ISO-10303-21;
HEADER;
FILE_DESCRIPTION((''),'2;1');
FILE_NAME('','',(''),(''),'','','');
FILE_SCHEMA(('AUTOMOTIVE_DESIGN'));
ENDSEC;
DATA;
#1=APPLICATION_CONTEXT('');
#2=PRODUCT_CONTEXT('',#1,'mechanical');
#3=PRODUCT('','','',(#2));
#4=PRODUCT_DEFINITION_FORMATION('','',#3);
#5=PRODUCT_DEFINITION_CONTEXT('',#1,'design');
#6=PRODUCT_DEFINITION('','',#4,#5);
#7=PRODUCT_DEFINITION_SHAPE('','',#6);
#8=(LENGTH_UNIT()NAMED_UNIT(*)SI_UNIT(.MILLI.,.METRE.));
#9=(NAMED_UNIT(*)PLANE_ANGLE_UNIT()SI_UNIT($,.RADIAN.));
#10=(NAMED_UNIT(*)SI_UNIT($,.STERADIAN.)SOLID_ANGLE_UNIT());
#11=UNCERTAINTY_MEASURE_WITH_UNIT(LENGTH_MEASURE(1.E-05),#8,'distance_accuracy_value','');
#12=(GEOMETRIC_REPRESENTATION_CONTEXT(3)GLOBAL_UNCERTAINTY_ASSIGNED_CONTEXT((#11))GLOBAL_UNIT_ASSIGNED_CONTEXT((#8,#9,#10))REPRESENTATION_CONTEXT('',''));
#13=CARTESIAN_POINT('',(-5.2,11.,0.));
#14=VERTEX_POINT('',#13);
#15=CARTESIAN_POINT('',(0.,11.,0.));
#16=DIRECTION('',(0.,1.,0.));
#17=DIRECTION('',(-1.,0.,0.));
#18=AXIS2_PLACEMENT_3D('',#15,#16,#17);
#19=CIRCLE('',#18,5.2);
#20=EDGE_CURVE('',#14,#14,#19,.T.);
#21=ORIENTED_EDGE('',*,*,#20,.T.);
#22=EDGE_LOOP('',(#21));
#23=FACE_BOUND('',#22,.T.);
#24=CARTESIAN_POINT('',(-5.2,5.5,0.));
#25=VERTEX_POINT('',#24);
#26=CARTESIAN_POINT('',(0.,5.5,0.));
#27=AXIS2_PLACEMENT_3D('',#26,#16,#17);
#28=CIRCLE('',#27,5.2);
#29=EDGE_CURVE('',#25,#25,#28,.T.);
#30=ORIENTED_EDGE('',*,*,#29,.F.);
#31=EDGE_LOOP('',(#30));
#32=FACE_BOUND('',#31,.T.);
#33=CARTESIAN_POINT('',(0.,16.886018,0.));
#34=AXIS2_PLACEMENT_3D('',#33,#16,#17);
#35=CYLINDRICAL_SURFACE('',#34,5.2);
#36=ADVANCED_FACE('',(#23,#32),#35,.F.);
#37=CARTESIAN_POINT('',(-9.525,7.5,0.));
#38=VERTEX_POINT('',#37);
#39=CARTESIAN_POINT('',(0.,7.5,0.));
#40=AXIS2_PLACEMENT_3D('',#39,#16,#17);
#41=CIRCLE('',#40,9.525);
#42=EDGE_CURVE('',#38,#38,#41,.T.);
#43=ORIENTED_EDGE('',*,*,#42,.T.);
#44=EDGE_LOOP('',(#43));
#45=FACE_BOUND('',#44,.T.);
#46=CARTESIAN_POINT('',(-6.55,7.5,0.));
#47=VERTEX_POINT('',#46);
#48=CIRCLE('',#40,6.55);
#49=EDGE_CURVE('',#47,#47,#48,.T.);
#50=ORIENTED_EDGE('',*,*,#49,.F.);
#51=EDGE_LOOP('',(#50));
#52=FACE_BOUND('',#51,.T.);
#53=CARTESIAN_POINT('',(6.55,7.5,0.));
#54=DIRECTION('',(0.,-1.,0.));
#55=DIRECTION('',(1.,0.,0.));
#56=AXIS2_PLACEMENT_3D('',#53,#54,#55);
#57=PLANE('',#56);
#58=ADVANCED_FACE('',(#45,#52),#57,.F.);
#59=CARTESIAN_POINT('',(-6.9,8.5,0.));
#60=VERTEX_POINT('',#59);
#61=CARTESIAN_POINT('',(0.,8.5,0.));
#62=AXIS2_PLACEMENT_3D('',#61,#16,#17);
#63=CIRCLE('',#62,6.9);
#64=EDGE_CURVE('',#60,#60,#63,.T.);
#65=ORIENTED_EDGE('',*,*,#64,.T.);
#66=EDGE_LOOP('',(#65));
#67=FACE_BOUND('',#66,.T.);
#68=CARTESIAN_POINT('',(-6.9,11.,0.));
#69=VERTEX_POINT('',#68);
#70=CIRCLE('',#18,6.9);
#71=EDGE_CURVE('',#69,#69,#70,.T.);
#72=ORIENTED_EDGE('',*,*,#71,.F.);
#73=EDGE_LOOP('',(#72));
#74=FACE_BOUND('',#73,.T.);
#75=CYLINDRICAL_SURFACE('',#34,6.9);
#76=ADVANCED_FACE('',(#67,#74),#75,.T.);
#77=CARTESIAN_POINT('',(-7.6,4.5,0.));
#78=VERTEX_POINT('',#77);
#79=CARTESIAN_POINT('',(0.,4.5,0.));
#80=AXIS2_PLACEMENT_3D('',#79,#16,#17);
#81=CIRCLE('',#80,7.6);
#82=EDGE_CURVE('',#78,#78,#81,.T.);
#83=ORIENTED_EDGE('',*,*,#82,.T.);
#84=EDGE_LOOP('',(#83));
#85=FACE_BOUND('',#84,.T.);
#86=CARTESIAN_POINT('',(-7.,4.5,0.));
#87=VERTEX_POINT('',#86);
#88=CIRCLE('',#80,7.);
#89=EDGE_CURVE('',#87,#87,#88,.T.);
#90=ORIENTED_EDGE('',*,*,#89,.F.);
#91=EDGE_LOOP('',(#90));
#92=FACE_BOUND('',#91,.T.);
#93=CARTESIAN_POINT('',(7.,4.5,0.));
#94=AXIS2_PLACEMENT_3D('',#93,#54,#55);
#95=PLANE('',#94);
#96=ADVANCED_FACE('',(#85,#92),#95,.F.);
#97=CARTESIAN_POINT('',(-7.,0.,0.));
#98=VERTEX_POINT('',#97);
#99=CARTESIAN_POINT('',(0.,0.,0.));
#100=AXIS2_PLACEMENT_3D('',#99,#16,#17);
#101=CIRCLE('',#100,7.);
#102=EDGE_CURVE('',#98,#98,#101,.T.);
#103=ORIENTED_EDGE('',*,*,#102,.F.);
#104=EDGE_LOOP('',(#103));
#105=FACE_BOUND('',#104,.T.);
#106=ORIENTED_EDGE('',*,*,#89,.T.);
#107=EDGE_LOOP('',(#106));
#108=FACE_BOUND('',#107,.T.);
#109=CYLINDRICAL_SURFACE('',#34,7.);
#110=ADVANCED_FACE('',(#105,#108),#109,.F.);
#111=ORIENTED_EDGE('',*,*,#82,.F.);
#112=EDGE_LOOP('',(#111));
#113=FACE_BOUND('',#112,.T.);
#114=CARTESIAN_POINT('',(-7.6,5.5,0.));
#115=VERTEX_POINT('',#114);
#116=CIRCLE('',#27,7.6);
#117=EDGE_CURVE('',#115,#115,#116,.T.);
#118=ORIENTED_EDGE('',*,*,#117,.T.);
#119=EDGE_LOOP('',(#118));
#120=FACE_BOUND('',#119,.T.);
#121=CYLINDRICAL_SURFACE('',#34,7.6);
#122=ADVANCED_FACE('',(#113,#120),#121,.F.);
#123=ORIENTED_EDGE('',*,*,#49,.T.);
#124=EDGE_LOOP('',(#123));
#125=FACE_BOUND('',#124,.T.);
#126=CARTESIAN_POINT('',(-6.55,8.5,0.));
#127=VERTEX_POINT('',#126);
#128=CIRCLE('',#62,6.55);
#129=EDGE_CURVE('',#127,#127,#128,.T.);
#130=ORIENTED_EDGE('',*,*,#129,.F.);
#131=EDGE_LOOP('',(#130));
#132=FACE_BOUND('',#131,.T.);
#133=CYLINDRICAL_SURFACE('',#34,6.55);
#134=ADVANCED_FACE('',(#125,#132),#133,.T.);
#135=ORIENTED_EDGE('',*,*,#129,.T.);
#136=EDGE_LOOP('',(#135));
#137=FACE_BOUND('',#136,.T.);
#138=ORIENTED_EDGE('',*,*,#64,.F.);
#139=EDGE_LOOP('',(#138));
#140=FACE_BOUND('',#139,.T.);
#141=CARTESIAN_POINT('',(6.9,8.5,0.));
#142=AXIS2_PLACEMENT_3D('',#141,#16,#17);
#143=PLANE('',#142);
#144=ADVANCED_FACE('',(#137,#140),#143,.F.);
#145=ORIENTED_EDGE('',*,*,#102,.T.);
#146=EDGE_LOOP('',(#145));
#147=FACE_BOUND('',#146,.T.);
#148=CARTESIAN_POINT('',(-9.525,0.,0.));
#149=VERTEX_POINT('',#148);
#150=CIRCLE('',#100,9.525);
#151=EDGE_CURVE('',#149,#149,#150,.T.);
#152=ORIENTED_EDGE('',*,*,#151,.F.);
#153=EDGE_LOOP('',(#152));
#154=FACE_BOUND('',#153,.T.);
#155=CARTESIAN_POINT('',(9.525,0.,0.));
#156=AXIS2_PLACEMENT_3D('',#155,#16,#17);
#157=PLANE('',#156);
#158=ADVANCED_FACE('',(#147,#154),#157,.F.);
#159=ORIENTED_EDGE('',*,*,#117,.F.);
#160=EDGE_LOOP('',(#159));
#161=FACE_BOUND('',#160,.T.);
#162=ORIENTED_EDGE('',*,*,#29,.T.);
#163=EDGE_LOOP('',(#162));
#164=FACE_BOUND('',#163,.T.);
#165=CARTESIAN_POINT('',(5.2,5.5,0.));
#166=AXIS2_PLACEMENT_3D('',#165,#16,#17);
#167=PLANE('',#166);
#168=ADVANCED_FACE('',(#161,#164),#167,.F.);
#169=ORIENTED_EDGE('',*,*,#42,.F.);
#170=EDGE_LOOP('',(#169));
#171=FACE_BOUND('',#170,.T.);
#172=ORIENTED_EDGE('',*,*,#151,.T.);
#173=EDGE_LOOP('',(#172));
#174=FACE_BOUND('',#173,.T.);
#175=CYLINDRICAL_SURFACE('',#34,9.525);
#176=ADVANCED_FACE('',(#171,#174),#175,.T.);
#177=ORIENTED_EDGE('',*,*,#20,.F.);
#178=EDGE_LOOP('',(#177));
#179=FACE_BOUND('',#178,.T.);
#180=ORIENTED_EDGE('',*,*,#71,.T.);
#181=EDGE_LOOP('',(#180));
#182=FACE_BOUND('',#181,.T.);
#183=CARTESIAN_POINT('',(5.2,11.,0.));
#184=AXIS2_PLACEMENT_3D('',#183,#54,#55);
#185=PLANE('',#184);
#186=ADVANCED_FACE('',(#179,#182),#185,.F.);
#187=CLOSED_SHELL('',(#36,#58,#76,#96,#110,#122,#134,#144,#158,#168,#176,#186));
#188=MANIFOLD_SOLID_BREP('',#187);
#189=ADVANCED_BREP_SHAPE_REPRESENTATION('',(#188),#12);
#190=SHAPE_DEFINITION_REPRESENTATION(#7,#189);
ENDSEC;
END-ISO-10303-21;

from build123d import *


with BuildPart() as part:
    # 草图1 → 旋转1 (revolve)
    with BuildSketch(Plane.XY, mode=Mode.PRIVATE) as revolve_1_sk:
        Polygon((7, 0), (7, 4.5), (7.6, 4.5), (7.6, 5.5), (5.2, 5.5), (5.2, 11), (6.9, 11), (6.9, 8.5), (6.55, 8.5), (6.55, 7.5), (9.525, 7.5), (9.525, 0), align=None)
    revolve(revolve_1_sk.sketch.rotate(Axis((0, 16.886018237, 0), (0, -1, 0)), 180), axis=Axis((0, 16.886018237, 0), (0, -1, 0)))  # turned: the seam where the file's is


solid = part.part
